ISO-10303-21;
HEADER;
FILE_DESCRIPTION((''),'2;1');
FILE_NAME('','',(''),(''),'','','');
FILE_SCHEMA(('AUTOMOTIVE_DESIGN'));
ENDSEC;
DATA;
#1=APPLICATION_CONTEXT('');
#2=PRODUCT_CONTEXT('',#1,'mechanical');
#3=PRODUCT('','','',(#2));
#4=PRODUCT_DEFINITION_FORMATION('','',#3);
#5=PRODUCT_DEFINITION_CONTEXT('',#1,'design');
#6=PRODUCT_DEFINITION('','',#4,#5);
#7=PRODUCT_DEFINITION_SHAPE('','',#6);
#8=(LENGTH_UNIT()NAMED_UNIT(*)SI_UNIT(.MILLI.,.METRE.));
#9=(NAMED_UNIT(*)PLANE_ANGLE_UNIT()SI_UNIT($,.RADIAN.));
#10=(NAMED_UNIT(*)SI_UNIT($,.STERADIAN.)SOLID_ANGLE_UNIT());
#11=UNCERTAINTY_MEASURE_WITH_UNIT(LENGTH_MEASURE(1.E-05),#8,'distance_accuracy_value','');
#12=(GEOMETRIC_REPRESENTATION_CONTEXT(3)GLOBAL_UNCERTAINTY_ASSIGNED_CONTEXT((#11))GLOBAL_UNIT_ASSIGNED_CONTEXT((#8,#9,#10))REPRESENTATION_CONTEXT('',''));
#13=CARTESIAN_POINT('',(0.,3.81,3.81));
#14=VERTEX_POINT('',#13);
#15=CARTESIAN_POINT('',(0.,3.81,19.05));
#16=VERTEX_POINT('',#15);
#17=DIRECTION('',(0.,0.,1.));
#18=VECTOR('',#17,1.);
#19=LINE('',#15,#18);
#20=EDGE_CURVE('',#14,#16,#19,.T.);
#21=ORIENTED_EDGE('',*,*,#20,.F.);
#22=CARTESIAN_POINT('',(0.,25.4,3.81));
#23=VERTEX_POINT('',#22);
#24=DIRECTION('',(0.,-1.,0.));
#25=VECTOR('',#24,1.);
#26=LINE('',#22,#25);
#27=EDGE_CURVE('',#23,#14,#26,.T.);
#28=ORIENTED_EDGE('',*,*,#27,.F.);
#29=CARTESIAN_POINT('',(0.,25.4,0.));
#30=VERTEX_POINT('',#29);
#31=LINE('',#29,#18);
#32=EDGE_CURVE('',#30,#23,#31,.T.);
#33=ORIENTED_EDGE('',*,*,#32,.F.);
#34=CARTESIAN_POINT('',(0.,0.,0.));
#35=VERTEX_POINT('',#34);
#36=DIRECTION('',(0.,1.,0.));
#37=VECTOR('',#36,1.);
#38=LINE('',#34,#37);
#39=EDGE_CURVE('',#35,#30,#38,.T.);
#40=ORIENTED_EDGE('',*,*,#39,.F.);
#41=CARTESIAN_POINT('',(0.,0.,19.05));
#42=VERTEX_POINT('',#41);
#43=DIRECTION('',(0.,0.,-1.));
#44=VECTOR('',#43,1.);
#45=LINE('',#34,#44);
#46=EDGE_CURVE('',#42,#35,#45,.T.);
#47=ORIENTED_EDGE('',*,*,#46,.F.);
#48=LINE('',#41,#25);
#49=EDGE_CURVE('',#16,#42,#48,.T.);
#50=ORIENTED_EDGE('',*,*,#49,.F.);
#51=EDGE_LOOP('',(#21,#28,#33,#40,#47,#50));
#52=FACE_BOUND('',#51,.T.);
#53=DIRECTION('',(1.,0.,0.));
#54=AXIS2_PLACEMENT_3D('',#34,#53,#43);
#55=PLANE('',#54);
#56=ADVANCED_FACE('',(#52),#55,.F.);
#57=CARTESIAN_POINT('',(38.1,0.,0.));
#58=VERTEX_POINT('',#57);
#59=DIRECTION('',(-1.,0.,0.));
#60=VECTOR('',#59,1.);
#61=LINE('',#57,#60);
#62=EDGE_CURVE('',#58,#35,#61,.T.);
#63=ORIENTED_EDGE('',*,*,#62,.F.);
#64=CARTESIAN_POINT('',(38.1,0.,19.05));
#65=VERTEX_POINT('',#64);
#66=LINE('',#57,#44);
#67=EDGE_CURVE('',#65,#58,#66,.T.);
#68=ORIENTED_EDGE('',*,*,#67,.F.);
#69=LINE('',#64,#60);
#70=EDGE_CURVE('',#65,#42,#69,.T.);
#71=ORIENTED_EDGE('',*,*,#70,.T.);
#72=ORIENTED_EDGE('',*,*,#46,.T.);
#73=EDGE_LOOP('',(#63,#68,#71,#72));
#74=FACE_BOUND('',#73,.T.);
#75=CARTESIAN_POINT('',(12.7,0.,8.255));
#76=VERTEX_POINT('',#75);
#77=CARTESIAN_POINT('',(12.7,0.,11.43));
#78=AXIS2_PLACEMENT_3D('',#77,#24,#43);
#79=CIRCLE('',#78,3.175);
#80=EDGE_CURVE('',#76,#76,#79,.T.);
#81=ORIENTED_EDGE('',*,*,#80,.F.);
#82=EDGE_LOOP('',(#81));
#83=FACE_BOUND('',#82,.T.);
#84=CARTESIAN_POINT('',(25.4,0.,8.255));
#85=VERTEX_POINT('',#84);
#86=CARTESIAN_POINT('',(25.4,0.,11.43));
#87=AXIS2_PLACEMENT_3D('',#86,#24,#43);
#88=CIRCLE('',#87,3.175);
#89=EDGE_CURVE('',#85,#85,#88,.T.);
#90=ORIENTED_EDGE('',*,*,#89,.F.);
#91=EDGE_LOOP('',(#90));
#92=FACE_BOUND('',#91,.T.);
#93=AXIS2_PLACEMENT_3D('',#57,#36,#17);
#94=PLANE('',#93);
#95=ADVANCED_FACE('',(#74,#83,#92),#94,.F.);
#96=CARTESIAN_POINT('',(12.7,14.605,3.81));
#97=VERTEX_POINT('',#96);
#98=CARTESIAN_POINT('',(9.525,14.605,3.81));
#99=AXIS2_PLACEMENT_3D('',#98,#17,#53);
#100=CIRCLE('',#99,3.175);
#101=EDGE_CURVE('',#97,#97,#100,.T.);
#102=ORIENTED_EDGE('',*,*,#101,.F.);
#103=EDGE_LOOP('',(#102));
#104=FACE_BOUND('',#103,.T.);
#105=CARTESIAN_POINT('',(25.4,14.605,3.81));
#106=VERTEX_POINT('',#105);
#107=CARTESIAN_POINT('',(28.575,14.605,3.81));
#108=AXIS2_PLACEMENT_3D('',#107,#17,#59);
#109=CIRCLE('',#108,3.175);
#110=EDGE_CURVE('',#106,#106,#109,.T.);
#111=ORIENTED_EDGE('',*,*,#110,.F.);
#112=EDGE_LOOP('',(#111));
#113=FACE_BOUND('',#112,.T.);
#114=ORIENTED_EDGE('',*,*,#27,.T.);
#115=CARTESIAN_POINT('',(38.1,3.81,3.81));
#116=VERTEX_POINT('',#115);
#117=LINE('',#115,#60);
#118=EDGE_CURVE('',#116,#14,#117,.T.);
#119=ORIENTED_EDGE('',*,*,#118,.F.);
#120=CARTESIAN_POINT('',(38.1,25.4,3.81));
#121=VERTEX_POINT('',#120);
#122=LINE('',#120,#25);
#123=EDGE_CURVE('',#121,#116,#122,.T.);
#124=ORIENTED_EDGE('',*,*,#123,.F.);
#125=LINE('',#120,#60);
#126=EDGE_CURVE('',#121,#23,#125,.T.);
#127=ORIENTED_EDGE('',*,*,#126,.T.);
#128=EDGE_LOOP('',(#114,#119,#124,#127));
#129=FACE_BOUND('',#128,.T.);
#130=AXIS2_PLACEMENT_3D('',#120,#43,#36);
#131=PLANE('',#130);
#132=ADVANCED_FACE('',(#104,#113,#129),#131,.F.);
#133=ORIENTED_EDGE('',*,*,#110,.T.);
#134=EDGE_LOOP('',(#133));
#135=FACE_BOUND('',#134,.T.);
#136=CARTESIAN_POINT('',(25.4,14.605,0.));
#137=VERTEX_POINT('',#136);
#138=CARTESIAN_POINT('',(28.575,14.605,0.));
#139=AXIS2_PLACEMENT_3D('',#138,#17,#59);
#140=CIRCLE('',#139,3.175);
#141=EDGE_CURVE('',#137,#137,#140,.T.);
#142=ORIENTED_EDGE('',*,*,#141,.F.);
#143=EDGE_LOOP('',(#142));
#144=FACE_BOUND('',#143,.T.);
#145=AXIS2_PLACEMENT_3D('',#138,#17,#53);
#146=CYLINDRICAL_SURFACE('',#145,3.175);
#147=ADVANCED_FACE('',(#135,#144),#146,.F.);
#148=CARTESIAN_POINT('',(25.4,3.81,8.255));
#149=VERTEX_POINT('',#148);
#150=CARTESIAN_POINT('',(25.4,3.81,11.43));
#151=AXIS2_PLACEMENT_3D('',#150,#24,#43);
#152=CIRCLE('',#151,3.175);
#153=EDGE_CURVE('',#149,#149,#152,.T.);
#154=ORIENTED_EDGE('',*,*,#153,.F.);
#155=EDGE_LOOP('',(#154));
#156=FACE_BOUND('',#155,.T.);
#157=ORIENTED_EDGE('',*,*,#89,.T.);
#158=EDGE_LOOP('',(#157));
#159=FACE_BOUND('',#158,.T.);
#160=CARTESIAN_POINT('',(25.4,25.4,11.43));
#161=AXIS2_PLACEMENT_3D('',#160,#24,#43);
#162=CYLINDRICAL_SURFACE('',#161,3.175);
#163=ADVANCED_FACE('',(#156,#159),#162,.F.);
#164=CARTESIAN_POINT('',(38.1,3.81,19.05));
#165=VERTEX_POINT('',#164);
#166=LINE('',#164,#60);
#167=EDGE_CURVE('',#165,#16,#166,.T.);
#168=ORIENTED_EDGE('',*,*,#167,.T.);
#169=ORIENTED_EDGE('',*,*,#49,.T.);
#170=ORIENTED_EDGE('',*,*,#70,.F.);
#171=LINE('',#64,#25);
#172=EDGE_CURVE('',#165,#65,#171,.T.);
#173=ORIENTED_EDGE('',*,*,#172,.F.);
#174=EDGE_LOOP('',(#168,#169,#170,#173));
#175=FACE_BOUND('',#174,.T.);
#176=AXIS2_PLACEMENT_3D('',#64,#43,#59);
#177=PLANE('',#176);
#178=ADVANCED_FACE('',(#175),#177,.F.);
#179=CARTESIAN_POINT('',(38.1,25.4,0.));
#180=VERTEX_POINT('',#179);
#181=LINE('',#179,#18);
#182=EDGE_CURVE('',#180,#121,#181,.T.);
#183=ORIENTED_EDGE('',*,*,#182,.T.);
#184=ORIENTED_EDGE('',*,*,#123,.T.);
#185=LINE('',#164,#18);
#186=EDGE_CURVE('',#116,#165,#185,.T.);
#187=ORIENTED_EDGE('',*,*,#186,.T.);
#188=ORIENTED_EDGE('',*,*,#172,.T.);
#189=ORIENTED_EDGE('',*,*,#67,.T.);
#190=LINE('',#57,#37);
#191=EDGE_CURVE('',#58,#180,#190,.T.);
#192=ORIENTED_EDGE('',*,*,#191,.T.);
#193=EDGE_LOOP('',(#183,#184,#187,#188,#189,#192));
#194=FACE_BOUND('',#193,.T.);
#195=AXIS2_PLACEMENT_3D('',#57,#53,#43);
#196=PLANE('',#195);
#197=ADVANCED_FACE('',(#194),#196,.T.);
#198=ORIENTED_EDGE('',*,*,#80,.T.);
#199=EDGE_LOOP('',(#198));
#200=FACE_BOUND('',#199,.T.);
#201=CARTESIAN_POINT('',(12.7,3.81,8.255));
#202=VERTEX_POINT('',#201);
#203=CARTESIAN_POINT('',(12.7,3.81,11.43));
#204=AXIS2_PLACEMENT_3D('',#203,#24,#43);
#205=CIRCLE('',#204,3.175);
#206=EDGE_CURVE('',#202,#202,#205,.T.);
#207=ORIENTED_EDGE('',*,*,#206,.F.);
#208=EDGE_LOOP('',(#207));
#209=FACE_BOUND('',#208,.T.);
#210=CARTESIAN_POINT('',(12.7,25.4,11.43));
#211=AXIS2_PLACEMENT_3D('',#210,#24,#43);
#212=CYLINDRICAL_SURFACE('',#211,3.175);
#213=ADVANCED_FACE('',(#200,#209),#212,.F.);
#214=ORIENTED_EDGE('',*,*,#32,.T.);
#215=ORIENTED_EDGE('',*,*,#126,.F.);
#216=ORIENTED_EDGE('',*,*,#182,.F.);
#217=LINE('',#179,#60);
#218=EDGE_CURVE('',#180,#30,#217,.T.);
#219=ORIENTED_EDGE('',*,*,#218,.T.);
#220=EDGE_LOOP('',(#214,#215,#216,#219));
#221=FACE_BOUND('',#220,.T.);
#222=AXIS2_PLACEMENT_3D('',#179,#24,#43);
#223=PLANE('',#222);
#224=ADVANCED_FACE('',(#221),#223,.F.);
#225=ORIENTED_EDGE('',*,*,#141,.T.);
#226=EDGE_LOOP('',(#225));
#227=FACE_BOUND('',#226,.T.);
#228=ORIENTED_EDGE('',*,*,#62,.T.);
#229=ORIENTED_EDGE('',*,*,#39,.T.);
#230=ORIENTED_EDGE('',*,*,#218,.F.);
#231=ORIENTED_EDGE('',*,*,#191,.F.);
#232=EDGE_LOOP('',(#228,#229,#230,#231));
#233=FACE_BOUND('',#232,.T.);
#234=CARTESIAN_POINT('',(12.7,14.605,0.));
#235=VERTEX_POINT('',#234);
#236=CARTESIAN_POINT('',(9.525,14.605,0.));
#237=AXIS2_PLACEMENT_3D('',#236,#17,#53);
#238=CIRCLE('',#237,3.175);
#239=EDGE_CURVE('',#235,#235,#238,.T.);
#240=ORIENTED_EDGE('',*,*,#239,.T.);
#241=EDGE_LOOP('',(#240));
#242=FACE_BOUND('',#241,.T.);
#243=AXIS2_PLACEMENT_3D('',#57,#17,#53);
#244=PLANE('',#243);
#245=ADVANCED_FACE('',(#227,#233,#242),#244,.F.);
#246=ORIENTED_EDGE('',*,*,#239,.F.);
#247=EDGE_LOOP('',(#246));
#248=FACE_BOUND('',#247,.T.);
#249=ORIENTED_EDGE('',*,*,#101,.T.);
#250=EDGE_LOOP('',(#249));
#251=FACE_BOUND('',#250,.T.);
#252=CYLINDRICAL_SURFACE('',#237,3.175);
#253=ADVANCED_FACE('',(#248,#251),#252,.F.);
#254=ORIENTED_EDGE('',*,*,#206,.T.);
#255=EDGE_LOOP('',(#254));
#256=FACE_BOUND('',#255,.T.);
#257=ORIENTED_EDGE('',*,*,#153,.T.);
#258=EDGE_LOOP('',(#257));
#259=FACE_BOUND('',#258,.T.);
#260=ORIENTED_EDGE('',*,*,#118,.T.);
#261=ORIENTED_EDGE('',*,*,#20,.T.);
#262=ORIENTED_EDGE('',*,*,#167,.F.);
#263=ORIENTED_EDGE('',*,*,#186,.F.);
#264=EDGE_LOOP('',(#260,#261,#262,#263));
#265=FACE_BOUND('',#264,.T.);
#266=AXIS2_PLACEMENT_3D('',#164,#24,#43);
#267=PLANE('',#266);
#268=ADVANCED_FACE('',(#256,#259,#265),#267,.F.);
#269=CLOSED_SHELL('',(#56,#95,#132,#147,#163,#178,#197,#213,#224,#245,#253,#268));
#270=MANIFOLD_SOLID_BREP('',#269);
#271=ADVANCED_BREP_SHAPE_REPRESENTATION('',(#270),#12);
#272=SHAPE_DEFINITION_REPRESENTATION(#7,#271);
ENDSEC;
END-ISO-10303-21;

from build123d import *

# Parameters (mm, degrees)
BOSS_EXTRUDE1_DEPTH = 38.1
SKETCH3_R           = 3.175
CUT_EXTRUDE1_DEPTH  = 49.26
SKETCH4_R           = 3.175
CUT_EXTRUDE2_DEPTH  = 25.4


with BuildPart() as part:
    # Sketch2 → Boss-Extrude1 (new body)
    with BuildSketch(Plane(origin=(0, 0, 0), x_dir=(0, 0, -1), z_dir=(1, 0, 0))):
        Polygon((0, 0), (-19.05, 0), (-19.05, 3.81), (-3.81, 3.81), (-3.81, 25.4), (0, 25.4), align=None)
    extrude(amount=BOSS_EXTRUDE1_DEPTH)

    # Sketch3 → Cut-Extrude1 (cut, through all)
    with BuildSketch(Plane.XY.offset(3.81)):
        with Locations((9.525, 14.605)):
            Circle(SKETCH3_R)
        with Locations(Location((28.575, 14.605, 0), (0, 0, 180))):
            Circle(SKETCH3_R)
    extrude(amount=-CUT_EXTRUDE1_DEPTH, mode=Mode.SUBTRACT)

    # Sketch4 → Cut-Extrude2 (cut)
    with BuildSketch(Plane(origin=(0, 0, 0), x_dir=(-1, 0, 0), z_dir=(0, -1, 0))):
        with Locations(Location((-12.7, -11.43, 0), (0, 0, 90))):
            Circle(SKETCH4_R)
        with Locations(Location((-25.4, -11.43, 0), (0, 0, 90))):
            Circle(SKETCH4_R)
    extrude(amount=-CUT_EXTRUDE2_DEPTH, mode=Mode.SUBTRACT)


solid = part.part
